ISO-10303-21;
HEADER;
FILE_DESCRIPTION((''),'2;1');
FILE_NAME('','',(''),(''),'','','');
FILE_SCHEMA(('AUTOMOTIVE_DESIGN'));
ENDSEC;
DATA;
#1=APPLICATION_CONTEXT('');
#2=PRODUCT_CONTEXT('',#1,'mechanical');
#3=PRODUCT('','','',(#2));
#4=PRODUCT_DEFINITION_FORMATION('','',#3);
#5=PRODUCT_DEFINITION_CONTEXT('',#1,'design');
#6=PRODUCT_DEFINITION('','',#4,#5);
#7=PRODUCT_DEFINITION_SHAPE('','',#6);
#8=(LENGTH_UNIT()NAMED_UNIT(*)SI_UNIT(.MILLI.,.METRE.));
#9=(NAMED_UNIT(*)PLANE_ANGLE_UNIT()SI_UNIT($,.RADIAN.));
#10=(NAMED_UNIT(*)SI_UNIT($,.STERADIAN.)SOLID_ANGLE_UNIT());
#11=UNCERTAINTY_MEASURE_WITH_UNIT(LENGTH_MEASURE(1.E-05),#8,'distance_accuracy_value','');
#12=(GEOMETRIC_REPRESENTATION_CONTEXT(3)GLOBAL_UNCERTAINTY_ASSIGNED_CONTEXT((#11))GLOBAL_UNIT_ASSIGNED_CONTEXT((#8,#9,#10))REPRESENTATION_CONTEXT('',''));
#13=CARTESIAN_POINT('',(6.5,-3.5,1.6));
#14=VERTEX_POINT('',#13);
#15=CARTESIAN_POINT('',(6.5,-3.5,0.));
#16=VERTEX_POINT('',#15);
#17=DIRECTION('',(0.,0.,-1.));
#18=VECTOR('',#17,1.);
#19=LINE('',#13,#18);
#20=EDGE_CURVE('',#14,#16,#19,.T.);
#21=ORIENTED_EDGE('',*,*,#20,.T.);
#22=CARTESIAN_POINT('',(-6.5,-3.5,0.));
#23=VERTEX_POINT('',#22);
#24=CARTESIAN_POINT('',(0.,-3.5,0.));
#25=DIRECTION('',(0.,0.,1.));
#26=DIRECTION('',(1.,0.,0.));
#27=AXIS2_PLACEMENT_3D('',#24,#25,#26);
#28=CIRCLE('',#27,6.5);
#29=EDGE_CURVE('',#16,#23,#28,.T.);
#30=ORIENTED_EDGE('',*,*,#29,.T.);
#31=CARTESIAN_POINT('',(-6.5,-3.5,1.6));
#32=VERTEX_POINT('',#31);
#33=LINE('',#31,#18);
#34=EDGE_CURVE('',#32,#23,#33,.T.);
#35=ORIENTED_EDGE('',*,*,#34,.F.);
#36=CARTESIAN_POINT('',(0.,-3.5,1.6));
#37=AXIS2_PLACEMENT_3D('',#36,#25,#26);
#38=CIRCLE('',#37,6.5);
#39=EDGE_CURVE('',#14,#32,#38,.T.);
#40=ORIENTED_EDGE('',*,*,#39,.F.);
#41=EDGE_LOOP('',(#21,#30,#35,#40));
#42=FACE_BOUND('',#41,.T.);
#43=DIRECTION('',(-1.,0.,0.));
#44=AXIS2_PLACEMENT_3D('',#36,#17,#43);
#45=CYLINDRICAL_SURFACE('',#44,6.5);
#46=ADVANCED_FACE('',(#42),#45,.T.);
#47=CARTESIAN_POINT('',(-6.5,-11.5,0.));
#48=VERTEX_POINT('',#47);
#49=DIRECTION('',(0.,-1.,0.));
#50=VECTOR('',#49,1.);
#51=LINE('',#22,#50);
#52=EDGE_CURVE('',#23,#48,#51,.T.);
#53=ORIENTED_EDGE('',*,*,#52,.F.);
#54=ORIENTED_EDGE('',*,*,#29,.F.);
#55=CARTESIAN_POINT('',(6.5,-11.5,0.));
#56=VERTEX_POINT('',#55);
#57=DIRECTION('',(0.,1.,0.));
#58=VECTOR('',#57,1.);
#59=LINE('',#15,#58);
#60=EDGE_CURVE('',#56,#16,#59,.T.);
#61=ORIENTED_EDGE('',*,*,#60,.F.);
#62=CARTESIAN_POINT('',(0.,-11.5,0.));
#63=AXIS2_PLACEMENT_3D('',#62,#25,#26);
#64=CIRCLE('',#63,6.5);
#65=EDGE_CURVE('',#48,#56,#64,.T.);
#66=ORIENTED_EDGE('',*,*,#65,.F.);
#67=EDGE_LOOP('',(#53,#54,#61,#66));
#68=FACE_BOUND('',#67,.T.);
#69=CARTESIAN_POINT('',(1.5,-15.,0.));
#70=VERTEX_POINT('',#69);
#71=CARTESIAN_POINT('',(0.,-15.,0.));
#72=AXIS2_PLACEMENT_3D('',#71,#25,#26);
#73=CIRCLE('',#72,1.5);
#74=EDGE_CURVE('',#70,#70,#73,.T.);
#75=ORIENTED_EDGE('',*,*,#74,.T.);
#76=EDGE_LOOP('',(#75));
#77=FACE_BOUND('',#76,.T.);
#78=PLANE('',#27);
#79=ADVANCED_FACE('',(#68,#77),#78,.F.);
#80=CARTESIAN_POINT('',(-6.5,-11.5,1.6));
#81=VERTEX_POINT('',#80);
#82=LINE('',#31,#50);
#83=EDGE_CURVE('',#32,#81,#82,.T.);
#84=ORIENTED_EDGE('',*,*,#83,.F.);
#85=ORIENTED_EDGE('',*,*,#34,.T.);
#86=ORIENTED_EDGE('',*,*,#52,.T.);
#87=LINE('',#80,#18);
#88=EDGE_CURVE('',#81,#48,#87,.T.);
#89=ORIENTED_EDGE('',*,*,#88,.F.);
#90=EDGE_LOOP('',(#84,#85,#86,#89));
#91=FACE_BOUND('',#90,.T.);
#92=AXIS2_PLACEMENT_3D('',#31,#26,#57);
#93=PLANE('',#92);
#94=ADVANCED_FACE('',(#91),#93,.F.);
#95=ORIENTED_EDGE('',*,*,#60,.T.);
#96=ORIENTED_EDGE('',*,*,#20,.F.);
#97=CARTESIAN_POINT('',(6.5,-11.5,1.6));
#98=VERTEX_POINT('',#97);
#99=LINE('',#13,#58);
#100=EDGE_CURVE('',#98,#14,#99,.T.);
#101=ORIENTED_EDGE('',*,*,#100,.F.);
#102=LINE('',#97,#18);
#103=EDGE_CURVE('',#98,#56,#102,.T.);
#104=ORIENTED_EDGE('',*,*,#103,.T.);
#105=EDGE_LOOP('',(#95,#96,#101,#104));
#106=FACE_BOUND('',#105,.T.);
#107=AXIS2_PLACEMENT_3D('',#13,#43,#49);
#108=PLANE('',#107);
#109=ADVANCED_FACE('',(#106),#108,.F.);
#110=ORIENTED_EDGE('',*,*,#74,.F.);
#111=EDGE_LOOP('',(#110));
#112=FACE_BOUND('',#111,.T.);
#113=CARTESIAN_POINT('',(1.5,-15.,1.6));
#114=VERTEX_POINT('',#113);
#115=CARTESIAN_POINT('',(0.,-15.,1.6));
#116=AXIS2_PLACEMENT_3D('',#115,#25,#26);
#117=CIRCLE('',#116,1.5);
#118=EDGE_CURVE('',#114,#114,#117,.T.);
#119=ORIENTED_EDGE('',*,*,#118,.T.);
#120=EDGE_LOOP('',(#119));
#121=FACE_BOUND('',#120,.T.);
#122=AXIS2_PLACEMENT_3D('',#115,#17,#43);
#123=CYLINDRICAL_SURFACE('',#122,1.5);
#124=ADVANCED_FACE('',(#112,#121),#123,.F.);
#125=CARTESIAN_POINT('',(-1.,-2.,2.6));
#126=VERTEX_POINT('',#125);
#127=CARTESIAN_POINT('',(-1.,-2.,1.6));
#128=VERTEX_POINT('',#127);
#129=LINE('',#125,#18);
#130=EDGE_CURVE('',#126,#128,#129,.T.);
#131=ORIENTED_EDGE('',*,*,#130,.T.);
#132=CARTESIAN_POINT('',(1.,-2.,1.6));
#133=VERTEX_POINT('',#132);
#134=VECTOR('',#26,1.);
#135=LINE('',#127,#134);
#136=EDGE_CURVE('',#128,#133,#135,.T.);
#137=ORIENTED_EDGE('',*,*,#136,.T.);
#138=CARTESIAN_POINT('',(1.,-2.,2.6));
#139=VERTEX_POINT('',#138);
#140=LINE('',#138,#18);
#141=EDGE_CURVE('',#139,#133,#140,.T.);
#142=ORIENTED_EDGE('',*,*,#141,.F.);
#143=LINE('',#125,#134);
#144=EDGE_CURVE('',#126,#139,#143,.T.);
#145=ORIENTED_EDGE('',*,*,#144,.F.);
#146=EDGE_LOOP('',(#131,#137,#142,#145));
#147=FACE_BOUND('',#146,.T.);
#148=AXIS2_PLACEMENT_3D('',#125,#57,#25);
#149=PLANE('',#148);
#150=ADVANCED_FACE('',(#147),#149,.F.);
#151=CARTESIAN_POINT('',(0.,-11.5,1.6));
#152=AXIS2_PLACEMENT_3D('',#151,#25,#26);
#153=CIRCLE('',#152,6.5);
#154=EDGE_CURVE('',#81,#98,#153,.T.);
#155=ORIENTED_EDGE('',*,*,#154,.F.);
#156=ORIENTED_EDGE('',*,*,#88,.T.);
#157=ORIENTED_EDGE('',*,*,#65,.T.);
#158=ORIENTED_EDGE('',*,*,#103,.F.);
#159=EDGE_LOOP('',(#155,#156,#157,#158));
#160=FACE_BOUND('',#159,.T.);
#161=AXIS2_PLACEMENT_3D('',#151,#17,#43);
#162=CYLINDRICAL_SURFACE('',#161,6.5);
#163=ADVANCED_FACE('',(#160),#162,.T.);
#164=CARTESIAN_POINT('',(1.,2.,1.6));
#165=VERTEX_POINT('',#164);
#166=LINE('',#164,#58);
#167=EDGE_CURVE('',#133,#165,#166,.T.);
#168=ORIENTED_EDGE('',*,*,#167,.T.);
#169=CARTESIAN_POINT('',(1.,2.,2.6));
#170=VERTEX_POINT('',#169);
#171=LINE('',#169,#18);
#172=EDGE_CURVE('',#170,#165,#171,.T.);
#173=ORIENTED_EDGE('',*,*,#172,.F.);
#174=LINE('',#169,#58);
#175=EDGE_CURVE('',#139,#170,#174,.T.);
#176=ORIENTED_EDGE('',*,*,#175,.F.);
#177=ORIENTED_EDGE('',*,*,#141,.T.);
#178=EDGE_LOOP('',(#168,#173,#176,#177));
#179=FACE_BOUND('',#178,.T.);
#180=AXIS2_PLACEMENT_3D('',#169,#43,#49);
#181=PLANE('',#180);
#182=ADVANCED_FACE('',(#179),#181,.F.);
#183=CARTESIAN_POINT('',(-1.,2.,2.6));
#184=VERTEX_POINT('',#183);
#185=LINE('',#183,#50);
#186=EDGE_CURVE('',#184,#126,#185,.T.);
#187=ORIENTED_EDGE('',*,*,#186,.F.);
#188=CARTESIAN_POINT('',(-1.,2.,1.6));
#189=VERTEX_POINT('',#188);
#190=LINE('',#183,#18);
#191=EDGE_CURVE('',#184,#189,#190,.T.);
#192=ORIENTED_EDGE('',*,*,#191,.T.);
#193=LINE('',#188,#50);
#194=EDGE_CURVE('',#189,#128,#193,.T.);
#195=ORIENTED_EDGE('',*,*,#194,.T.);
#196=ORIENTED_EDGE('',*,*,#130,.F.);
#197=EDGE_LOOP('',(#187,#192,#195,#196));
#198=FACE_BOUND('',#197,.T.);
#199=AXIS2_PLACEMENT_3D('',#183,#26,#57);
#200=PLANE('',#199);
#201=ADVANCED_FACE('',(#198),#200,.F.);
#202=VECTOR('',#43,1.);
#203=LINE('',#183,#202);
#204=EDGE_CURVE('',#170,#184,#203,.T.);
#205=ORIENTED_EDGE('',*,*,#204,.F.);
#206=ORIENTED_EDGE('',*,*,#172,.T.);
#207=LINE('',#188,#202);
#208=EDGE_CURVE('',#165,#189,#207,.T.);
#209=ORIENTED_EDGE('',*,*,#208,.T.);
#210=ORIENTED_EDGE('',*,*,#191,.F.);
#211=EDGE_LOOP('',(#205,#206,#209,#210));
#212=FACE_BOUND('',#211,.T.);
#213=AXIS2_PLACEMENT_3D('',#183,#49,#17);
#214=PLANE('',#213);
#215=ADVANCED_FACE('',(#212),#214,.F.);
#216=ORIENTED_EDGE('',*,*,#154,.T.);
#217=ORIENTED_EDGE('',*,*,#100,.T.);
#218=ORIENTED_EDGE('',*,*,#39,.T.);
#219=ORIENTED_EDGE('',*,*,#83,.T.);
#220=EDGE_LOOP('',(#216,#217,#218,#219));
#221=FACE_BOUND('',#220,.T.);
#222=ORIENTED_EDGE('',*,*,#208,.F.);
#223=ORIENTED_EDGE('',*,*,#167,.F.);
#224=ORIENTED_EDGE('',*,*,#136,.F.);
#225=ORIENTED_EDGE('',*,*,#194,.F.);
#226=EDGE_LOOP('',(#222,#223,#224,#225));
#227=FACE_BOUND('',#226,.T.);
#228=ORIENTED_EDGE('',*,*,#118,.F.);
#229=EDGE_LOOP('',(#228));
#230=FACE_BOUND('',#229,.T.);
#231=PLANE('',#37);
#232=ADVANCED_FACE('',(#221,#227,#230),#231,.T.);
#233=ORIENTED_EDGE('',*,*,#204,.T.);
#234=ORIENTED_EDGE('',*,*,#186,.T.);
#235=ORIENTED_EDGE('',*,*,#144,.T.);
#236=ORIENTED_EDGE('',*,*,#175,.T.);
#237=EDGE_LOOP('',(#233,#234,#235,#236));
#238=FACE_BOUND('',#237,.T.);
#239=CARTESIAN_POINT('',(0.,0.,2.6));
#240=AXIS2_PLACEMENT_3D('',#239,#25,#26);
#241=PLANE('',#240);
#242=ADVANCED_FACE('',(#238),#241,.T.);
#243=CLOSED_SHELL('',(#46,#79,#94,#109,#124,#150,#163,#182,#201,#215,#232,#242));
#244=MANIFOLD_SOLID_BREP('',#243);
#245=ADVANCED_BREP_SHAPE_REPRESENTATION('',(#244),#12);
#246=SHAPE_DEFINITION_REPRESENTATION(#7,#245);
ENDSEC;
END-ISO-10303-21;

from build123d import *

# Parameters (mm, degrees)
ESQUISSE1_R        = 1.5
BOSS_EXTRU_1_DEPTH = 1.6
ESQUISSE2_W        = 2
ESQUISSE2_H        = 4
BOSS_EXTRU_2_DEPTH = 1


with BuildPart() as part:
    # Esquisse1 → Boss.-Extru.1 (new body)
    with BuildSketch(Plane.XY):
        with BuildLine():
            Line((6.5, -3.5), (6.5, -11.5))
            ThreePointArc((6.5, -11.5), (0, -18), (-6.5, -11.5))
            Line((-6.5, -11.5), (-6.5, -3.5))
            ThreePointArc((-6.5, -3.5), (0, 3), (6.5, -3.5))
        make_face()
        with Locations((0, -15)):
            Circle(ESQUISSE1_R, mode=Mode.SUBTRACT)
    extrude(amount=BOSS_EXTRU_1_DEPTH)

    # Esquisse2 → Boss.-Extru.2 (add)
    with BuildSketch(Plane.XY.offset(1.6)):
        Rectangle(ESQUISSE2_W, ESQUISSE2_H)
    extrude(amount=BOSS_EXTRU_2_DEPTH)


solid = part.part
